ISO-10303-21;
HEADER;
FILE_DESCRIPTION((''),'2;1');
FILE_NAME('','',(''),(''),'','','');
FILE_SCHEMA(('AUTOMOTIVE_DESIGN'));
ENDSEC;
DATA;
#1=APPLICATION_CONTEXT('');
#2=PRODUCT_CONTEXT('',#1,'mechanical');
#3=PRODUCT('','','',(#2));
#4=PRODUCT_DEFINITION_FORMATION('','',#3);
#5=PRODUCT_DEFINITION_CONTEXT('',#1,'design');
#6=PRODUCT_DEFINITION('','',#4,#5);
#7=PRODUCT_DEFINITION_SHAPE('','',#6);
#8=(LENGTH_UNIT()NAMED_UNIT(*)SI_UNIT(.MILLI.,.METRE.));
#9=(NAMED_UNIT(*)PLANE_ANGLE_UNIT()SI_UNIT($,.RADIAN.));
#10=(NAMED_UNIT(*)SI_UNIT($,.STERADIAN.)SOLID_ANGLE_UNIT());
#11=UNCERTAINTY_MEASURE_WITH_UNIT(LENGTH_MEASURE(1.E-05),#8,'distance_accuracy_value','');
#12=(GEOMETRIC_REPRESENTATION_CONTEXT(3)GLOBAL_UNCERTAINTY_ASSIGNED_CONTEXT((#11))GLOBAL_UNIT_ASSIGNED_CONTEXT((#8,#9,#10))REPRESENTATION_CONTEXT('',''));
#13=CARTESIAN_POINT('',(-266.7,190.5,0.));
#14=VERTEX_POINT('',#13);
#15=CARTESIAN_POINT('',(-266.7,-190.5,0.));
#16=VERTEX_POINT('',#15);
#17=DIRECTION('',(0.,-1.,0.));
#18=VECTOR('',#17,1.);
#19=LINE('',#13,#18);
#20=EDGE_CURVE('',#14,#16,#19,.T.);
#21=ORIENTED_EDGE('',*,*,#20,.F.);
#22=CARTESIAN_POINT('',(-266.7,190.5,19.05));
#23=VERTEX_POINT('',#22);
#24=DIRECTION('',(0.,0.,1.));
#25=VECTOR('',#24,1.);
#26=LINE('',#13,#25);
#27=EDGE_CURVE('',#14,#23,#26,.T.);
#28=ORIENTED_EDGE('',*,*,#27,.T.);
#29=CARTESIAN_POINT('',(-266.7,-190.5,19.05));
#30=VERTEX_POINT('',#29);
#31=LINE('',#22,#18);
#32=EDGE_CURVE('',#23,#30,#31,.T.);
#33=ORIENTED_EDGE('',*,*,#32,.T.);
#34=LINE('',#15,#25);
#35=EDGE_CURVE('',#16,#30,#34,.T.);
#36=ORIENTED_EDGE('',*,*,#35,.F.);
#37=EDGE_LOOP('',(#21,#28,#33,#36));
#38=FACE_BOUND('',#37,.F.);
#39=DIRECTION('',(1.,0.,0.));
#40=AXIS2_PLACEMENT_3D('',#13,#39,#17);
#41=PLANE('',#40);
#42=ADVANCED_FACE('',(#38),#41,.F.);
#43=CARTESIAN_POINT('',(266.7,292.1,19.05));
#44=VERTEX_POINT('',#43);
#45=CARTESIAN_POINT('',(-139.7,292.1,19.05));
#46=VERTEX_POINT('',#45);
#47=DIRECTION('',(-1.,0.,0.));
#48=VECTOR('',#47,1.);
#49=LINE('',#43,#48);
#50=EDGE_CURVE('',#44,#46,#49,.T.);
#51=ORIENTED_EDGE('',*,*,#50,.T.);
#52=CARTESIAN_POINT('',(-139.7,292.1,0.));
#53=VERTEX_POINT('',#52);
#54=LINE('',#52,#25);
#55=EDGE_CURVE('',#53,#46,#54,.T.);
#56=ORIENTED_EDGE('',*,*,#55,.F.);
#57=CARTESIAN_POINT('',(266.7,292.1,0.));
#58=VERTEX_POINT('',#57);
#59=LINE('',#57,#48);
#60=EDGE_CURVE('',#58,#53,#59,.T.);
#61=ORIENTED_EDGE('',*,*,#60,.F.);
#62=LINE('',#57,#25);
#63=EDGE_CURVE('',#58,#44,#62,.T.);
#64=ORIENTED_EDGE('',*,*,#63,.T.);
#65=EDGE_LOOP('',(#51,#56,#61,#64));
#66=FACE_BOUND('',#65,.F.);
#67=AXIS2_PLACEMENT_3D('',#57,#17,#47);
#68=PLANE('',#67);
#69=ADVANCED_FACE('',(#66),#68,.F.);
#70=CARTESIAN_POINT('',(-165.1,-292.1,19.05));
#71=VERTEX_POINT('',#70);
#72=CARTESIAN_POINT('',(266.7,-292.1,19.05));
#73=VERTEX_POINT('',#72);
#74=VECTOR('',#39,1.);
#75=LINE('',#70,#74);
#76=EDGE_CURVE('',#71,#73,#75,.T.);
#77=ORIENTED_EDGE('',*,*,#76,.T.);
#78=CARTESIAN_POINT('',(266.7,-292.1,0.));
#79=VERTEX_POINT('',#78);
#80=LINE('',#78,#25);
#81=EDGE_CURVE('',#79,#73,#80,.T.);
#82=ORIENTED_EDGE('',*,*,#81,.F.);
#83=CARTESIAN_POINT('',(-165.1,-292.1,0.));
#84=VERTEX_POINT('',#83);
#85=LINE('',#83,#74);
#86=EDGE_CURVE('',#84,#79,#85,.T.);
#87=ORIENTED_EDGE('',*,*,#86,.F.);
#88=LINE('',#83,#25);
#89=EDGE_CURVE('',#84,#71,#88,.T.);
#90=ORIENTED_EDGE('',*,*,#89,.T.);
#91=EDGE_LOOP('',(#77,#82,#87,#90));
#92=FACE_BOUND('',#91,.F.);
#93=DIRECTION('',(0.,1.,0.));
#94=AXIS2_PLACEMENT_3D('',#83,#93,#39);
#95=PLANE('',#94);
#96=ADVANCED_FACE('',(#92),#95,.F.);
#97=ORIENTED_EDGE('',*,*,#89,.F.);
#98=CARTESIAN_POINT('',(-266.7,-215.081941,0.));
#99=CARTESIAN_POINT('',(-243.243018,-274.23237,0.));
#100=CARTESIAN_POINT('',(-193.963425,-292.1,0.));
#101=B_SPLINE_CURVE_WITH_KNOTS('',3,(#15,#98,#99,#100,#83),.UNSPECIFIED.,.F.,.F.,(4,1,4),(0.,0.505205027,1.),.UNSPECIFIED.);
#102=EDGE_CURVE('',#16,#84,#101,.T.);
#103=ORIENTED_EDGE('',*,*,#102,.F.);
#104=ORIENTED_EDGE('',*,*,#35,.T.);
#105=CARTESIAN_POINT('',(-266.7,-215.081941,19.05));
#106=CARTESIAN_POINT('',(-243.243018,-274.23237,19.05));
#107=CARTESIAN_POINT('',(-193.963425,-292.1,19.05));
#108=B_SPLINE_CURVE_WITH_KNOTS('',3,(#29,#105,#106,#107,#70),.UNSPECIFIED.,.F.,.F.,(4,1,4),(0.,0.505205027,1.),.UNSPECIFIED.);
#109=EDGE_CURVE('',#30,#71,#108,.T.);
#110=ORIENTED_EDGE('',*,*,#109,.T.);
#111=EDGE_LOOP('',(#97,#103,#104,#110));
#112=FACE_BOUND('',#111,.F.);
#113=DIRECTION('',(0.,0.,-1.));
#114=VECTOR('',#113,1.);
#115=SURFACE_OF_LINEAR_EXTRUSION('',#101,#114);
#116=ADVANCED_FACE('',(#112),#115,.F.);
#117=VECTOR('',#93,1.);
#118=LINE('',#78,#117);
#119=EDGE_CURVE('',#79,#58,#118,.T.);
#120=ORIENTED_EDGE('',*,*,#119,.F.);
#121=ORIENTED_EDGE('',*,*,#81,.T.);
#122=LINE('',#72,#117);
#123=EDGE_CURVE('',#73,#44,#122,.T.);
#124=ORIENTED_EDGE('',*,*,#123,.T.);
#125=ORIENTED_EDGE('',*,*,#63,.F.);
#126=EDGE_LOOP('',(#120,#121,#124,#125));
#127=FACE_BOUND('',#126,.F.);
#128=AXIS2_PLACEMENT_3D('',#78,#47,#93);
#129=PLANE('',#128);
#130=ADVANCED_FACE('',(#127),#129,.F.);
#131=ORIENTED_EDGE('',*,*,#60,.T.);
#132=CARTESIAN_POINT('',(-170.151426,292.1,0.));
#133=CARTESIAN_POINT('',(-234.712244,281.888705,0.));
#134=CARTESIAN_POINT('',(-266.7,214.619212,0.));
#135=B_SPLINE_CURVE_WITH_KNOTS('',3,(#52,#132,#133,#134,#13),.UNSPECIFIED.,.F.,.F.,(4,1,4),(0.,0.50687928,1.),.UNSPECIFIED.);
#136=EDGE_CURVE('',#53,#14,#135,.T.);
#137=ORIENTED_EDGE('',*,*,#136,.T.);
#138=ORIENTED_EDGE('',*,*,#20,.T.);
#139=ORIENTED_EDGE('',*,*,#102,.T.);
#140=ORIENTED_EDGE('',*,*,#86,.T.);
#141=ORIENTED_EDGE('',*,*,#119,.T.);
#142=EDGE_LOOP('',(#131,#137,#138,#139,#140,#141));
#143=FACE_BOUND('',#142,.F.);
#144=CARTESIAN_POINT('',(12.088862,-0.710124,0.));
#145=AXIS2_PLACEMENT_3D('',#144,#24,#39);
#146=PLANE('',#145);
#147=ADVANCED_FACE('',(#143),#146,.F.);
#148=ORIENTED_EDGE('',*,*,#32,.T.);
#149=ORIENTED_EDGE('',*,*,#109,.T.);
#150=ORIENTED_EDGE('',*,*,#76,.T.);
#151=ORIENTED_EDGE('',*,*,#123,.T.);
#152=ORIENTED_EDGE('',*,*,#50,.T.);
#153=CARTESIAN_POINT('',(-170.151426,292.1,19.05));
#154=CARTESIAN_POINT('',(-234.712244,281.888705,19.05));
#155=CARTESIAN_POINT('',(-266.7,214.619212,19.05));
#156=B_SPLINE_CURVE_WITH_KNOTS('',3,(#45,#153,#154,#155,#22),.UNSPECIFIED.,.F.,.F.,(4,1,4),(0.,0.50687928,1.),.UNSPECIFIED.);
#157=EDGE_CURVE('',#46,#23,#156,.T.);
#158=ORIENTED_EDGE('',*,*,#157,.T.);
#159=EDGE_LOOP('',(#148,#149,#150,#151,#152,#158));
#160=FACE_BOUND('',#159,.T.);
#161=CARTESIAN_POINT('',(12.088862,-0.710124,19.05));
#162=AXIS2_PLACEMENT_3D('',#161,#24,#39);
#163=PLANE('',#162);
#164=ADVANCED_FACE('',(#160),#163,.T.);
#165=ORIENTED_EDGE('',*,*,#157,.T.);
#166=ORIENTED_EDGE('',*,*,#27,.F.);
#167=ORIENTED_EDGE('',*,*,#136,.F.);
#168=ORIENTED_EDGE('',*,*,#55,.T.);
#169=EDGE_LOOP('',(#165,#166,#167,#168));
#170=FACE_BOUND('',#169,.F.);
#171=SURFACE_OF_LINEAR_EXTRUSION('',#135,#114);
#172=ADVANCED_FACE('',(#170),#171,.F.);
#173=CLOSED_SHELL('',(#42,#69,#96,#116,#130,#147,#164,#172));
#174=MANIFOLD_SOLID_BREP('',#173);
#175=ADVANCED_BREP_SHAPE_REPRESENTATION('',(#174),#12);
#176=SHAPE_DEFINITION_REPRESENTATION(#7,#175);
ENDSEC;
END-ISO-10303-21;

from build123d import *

# Parameters (mm, degrees)
F1_DEPTH = 19.05


with BuildPart() as f1:
    # F0 (on Top) → F1 (new body)
    with BuildSketch(Plane.XY):
        with BuildLine():
            Line((-165.1, -292.1), (266.7, -292.1))
            Line((266.7, -292.1), (266.7, 292.1))
            Line((266.7, 292.1), (-139.7, 292.1))
            add(Edge.make_bspline(
                [(-139.7, 292.1), (-170.1514260431, 292.1), (-234.7122440637, 281.888704933), (-266.7, 214.6192115481), (-266.7, 190.5)],
                knots=[0, 0, 0, 0, 0.5068792803, 1, 1, 1, 1], degree=3))
            Line((-266.7, 190.5), (-266.7, -190.5))
            add(Edge.make_bspline(
                [(-266.7, -190.5), (-266.7, -215.0819406019), (-243.2430178325, -274.2323700463), (-193.9634250991, -292.1), (-165.1, -292.1)],
                knots=[0, 0, 0, 0, 0.5052050274, 1, 1, 1, 1], degree=3))
        make_face()
    extrude(amount=F1_DEPTH)


solid = f1.part
